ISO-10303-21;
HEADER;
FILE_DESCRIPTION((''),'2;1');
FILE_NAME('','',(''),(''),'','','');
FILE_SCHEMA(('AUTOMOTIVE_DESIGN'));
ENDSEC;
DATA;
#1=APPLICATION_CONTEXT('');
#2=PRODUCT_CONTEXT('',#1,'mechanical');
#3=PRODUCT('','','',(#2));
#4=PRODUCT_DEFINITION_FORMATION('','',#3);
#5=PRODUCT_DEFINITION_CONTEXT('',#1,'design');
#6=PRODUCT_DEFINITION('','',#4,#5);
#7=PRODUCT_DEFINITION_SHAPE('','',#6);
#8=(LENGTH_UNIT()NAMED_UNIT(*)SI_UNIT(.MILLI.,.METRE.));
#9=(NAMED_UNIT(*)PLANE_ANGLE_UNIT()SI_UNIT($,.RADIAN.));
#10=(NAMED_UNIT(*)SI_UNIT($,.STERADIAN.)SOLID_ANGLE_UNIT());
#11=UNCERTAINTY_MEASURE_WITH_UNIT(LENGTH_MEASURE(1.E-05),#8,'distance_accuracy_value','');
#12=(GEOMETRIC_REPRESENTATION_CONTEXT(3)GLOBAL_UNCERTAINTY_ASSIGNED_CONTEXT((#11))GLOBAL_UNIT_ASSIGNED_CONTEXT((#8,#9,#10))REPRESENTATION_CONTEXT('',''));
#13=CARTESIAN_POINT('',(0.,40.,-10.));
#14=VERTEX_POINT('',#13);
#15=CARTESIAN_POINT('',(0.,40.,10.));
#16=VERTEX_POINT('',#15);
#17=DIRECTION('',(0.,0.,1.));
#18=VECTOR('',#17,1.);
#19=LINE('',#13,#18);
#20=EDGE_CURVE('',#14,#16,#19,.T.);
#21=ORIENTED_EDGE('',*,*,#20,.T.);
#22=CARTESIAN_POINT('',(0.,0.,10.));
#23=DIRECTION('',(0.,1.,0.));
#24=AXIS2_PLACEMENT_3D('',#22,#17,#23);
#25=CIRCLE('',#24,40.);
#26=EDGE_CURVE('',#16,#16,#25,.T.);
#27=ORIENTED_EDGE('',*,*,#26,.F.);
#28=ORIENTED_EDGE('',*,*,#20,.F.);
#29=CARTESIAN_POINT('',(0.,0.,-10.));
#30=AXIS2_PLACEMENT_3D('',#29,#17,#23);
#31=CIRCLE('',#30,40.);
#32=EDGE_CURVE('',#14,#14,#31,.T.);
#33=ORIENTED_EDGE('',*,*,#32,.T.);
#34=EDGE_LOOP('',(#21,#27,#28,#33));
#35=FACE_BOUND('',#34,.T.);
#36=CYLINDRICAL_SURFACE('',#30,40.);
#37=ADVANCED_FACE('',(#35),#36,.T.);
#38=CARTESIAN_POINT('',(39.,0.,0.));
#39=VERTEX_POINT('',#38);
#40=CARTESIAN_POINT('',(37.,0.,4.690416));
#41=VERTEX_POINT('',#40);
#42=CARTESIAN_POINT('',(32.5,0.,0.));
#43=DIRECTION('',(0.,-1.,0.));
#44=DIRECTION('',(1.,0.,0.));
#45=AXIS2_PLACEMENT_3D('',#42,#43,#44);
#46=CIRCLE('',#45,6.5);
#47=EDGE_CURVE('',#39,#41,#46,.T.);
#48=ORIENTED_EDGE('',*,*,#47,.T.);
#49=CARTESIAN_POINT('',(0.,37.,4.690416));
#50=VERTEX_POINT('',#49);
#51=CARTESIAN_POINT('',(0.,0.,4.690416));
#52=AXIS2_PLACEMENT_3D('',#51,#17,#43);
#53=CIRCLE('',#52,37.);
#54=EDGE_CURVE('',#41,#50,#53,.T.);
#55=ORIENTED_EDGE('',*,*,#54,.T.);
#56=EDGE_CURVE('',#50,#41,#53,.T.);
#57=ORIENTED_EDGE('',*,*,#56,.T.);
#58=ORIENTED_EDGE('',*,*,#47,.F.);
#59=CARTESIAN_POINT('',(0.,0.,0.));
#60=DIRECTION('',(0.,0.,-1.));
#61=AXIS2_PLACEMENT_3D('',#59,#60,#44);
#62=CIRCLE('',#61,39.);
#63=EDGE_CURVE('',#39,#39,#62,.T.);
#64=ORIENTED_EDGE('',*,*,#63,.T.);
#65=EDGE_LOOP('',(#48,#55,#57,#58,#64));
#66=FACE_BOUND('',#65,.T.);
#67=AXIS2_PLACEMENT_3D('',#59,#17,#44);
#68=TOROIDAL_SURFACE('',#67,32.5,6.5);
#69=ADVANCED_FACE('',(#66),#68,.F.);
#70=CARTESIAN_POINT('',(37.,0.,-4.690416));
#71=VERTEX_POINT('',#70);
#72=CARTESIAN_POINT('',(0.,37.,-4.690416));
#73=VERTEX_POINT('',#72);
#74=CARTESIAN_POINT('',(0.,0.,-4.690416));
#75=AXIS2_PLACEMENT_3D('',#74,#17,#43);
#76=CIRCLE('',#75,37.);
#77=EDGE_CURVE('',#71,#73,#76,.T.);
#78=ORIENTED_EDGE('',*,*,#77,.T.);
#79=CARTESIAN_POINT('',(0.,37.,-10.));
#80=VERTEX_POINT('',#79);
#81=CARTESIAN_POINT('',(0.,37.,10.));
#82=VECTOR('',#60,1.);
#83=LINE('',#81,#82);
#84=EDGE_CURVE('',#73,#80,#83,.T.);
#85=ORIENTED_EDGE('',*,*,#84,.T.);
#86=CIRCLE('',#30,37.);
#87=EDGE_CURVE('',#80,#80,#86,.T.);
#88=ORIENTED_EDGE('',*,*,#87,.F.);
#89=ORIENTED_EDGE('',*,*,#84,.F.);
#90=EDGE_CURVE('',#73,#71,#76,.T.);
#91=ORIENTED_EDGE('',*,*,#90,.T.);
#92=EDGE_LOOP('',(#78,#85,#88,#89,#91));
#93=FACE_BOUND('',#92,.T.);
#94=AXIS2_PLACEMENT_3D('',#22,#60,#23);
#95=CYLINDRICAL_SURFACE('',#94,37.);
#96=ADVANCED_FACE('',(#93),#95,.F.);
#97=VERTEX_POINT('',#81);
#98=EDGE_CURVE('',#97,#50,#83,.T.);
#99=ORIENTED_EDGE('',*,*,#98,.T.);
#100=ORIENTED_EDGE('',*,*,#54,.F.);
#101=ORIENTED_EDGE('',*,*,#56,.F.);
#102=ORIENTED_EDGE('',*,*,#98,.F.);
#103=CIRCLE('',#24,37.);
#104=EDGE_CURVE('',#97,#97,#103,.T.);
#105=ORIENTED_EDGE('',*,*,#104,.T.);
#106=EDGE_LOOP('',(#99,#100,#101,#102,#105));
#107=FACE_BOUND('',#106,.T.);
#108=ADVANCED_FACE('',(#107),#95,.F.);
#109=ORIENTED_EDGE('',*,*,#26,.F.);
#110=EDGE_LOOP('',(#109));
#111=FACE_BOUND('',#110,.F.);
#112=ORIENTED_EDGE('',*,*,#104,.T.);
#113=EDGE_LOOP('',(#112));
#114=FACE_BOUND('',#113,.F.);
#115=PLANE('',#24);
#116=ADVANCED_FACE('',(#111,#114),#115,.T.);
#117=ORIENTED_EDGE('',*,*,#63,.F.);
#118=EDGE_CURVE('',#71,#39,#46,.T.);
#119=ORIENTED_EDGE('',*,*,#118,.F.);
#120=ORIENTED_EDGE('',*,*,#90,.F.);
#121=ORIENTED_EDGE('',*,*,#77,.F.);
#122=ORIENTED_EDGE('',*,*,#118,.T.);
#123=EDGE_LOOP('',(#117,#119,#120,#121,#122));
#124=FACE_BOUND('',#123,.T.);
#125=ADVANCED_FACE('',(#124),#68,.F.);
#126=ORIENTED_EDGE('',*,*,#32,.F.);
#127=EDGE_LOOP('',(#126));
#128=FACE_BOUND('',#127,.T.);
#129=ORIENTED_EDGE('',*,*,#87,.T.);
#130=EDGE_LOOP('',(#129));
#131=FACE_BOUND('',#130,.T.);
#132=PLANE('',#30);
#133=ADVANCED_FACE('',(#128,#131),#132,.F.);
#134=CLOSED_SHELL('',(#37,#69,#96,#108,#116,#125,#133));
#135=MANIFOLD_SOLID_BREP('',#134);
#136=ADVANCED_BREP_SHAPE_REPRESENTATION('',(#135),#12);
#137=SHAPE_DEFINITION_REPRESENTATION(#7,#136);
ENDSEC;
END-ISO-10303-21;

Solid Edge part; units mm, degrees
sketch "Sketch1" plane through (0, 0, 0) normal (1, 0, 0) x (0, 1, 0)
  line L0 (37, 10) -> (37, -10)
  line L1 (37, -10) -> (40, -10)
  line L2 (40, -10) -> (40, 10)
  line L3 (37, 10) -> (40, 10)
  dimension "D1" = 3
  dimension "D2" = 20
revolve "RevolvedProtrusion1" add sketch "Sketch1" angle 360 about axis through (0, 0, -57) along (0, 0, 1)
sketch "Sketch2" plane through (0, 0, 0) normal (0, -1, 0) x (1, 0, 0)
  circle A0 centre (32.5, 0) radius 6.5
  dimension "D1" = 13
revolve "RevolvedCutout1" cut sketch "Sketch2" angle 360 about axis through (0, 0, 54) along (0, 0, -1)
properties material "Polyethylene, low density"
